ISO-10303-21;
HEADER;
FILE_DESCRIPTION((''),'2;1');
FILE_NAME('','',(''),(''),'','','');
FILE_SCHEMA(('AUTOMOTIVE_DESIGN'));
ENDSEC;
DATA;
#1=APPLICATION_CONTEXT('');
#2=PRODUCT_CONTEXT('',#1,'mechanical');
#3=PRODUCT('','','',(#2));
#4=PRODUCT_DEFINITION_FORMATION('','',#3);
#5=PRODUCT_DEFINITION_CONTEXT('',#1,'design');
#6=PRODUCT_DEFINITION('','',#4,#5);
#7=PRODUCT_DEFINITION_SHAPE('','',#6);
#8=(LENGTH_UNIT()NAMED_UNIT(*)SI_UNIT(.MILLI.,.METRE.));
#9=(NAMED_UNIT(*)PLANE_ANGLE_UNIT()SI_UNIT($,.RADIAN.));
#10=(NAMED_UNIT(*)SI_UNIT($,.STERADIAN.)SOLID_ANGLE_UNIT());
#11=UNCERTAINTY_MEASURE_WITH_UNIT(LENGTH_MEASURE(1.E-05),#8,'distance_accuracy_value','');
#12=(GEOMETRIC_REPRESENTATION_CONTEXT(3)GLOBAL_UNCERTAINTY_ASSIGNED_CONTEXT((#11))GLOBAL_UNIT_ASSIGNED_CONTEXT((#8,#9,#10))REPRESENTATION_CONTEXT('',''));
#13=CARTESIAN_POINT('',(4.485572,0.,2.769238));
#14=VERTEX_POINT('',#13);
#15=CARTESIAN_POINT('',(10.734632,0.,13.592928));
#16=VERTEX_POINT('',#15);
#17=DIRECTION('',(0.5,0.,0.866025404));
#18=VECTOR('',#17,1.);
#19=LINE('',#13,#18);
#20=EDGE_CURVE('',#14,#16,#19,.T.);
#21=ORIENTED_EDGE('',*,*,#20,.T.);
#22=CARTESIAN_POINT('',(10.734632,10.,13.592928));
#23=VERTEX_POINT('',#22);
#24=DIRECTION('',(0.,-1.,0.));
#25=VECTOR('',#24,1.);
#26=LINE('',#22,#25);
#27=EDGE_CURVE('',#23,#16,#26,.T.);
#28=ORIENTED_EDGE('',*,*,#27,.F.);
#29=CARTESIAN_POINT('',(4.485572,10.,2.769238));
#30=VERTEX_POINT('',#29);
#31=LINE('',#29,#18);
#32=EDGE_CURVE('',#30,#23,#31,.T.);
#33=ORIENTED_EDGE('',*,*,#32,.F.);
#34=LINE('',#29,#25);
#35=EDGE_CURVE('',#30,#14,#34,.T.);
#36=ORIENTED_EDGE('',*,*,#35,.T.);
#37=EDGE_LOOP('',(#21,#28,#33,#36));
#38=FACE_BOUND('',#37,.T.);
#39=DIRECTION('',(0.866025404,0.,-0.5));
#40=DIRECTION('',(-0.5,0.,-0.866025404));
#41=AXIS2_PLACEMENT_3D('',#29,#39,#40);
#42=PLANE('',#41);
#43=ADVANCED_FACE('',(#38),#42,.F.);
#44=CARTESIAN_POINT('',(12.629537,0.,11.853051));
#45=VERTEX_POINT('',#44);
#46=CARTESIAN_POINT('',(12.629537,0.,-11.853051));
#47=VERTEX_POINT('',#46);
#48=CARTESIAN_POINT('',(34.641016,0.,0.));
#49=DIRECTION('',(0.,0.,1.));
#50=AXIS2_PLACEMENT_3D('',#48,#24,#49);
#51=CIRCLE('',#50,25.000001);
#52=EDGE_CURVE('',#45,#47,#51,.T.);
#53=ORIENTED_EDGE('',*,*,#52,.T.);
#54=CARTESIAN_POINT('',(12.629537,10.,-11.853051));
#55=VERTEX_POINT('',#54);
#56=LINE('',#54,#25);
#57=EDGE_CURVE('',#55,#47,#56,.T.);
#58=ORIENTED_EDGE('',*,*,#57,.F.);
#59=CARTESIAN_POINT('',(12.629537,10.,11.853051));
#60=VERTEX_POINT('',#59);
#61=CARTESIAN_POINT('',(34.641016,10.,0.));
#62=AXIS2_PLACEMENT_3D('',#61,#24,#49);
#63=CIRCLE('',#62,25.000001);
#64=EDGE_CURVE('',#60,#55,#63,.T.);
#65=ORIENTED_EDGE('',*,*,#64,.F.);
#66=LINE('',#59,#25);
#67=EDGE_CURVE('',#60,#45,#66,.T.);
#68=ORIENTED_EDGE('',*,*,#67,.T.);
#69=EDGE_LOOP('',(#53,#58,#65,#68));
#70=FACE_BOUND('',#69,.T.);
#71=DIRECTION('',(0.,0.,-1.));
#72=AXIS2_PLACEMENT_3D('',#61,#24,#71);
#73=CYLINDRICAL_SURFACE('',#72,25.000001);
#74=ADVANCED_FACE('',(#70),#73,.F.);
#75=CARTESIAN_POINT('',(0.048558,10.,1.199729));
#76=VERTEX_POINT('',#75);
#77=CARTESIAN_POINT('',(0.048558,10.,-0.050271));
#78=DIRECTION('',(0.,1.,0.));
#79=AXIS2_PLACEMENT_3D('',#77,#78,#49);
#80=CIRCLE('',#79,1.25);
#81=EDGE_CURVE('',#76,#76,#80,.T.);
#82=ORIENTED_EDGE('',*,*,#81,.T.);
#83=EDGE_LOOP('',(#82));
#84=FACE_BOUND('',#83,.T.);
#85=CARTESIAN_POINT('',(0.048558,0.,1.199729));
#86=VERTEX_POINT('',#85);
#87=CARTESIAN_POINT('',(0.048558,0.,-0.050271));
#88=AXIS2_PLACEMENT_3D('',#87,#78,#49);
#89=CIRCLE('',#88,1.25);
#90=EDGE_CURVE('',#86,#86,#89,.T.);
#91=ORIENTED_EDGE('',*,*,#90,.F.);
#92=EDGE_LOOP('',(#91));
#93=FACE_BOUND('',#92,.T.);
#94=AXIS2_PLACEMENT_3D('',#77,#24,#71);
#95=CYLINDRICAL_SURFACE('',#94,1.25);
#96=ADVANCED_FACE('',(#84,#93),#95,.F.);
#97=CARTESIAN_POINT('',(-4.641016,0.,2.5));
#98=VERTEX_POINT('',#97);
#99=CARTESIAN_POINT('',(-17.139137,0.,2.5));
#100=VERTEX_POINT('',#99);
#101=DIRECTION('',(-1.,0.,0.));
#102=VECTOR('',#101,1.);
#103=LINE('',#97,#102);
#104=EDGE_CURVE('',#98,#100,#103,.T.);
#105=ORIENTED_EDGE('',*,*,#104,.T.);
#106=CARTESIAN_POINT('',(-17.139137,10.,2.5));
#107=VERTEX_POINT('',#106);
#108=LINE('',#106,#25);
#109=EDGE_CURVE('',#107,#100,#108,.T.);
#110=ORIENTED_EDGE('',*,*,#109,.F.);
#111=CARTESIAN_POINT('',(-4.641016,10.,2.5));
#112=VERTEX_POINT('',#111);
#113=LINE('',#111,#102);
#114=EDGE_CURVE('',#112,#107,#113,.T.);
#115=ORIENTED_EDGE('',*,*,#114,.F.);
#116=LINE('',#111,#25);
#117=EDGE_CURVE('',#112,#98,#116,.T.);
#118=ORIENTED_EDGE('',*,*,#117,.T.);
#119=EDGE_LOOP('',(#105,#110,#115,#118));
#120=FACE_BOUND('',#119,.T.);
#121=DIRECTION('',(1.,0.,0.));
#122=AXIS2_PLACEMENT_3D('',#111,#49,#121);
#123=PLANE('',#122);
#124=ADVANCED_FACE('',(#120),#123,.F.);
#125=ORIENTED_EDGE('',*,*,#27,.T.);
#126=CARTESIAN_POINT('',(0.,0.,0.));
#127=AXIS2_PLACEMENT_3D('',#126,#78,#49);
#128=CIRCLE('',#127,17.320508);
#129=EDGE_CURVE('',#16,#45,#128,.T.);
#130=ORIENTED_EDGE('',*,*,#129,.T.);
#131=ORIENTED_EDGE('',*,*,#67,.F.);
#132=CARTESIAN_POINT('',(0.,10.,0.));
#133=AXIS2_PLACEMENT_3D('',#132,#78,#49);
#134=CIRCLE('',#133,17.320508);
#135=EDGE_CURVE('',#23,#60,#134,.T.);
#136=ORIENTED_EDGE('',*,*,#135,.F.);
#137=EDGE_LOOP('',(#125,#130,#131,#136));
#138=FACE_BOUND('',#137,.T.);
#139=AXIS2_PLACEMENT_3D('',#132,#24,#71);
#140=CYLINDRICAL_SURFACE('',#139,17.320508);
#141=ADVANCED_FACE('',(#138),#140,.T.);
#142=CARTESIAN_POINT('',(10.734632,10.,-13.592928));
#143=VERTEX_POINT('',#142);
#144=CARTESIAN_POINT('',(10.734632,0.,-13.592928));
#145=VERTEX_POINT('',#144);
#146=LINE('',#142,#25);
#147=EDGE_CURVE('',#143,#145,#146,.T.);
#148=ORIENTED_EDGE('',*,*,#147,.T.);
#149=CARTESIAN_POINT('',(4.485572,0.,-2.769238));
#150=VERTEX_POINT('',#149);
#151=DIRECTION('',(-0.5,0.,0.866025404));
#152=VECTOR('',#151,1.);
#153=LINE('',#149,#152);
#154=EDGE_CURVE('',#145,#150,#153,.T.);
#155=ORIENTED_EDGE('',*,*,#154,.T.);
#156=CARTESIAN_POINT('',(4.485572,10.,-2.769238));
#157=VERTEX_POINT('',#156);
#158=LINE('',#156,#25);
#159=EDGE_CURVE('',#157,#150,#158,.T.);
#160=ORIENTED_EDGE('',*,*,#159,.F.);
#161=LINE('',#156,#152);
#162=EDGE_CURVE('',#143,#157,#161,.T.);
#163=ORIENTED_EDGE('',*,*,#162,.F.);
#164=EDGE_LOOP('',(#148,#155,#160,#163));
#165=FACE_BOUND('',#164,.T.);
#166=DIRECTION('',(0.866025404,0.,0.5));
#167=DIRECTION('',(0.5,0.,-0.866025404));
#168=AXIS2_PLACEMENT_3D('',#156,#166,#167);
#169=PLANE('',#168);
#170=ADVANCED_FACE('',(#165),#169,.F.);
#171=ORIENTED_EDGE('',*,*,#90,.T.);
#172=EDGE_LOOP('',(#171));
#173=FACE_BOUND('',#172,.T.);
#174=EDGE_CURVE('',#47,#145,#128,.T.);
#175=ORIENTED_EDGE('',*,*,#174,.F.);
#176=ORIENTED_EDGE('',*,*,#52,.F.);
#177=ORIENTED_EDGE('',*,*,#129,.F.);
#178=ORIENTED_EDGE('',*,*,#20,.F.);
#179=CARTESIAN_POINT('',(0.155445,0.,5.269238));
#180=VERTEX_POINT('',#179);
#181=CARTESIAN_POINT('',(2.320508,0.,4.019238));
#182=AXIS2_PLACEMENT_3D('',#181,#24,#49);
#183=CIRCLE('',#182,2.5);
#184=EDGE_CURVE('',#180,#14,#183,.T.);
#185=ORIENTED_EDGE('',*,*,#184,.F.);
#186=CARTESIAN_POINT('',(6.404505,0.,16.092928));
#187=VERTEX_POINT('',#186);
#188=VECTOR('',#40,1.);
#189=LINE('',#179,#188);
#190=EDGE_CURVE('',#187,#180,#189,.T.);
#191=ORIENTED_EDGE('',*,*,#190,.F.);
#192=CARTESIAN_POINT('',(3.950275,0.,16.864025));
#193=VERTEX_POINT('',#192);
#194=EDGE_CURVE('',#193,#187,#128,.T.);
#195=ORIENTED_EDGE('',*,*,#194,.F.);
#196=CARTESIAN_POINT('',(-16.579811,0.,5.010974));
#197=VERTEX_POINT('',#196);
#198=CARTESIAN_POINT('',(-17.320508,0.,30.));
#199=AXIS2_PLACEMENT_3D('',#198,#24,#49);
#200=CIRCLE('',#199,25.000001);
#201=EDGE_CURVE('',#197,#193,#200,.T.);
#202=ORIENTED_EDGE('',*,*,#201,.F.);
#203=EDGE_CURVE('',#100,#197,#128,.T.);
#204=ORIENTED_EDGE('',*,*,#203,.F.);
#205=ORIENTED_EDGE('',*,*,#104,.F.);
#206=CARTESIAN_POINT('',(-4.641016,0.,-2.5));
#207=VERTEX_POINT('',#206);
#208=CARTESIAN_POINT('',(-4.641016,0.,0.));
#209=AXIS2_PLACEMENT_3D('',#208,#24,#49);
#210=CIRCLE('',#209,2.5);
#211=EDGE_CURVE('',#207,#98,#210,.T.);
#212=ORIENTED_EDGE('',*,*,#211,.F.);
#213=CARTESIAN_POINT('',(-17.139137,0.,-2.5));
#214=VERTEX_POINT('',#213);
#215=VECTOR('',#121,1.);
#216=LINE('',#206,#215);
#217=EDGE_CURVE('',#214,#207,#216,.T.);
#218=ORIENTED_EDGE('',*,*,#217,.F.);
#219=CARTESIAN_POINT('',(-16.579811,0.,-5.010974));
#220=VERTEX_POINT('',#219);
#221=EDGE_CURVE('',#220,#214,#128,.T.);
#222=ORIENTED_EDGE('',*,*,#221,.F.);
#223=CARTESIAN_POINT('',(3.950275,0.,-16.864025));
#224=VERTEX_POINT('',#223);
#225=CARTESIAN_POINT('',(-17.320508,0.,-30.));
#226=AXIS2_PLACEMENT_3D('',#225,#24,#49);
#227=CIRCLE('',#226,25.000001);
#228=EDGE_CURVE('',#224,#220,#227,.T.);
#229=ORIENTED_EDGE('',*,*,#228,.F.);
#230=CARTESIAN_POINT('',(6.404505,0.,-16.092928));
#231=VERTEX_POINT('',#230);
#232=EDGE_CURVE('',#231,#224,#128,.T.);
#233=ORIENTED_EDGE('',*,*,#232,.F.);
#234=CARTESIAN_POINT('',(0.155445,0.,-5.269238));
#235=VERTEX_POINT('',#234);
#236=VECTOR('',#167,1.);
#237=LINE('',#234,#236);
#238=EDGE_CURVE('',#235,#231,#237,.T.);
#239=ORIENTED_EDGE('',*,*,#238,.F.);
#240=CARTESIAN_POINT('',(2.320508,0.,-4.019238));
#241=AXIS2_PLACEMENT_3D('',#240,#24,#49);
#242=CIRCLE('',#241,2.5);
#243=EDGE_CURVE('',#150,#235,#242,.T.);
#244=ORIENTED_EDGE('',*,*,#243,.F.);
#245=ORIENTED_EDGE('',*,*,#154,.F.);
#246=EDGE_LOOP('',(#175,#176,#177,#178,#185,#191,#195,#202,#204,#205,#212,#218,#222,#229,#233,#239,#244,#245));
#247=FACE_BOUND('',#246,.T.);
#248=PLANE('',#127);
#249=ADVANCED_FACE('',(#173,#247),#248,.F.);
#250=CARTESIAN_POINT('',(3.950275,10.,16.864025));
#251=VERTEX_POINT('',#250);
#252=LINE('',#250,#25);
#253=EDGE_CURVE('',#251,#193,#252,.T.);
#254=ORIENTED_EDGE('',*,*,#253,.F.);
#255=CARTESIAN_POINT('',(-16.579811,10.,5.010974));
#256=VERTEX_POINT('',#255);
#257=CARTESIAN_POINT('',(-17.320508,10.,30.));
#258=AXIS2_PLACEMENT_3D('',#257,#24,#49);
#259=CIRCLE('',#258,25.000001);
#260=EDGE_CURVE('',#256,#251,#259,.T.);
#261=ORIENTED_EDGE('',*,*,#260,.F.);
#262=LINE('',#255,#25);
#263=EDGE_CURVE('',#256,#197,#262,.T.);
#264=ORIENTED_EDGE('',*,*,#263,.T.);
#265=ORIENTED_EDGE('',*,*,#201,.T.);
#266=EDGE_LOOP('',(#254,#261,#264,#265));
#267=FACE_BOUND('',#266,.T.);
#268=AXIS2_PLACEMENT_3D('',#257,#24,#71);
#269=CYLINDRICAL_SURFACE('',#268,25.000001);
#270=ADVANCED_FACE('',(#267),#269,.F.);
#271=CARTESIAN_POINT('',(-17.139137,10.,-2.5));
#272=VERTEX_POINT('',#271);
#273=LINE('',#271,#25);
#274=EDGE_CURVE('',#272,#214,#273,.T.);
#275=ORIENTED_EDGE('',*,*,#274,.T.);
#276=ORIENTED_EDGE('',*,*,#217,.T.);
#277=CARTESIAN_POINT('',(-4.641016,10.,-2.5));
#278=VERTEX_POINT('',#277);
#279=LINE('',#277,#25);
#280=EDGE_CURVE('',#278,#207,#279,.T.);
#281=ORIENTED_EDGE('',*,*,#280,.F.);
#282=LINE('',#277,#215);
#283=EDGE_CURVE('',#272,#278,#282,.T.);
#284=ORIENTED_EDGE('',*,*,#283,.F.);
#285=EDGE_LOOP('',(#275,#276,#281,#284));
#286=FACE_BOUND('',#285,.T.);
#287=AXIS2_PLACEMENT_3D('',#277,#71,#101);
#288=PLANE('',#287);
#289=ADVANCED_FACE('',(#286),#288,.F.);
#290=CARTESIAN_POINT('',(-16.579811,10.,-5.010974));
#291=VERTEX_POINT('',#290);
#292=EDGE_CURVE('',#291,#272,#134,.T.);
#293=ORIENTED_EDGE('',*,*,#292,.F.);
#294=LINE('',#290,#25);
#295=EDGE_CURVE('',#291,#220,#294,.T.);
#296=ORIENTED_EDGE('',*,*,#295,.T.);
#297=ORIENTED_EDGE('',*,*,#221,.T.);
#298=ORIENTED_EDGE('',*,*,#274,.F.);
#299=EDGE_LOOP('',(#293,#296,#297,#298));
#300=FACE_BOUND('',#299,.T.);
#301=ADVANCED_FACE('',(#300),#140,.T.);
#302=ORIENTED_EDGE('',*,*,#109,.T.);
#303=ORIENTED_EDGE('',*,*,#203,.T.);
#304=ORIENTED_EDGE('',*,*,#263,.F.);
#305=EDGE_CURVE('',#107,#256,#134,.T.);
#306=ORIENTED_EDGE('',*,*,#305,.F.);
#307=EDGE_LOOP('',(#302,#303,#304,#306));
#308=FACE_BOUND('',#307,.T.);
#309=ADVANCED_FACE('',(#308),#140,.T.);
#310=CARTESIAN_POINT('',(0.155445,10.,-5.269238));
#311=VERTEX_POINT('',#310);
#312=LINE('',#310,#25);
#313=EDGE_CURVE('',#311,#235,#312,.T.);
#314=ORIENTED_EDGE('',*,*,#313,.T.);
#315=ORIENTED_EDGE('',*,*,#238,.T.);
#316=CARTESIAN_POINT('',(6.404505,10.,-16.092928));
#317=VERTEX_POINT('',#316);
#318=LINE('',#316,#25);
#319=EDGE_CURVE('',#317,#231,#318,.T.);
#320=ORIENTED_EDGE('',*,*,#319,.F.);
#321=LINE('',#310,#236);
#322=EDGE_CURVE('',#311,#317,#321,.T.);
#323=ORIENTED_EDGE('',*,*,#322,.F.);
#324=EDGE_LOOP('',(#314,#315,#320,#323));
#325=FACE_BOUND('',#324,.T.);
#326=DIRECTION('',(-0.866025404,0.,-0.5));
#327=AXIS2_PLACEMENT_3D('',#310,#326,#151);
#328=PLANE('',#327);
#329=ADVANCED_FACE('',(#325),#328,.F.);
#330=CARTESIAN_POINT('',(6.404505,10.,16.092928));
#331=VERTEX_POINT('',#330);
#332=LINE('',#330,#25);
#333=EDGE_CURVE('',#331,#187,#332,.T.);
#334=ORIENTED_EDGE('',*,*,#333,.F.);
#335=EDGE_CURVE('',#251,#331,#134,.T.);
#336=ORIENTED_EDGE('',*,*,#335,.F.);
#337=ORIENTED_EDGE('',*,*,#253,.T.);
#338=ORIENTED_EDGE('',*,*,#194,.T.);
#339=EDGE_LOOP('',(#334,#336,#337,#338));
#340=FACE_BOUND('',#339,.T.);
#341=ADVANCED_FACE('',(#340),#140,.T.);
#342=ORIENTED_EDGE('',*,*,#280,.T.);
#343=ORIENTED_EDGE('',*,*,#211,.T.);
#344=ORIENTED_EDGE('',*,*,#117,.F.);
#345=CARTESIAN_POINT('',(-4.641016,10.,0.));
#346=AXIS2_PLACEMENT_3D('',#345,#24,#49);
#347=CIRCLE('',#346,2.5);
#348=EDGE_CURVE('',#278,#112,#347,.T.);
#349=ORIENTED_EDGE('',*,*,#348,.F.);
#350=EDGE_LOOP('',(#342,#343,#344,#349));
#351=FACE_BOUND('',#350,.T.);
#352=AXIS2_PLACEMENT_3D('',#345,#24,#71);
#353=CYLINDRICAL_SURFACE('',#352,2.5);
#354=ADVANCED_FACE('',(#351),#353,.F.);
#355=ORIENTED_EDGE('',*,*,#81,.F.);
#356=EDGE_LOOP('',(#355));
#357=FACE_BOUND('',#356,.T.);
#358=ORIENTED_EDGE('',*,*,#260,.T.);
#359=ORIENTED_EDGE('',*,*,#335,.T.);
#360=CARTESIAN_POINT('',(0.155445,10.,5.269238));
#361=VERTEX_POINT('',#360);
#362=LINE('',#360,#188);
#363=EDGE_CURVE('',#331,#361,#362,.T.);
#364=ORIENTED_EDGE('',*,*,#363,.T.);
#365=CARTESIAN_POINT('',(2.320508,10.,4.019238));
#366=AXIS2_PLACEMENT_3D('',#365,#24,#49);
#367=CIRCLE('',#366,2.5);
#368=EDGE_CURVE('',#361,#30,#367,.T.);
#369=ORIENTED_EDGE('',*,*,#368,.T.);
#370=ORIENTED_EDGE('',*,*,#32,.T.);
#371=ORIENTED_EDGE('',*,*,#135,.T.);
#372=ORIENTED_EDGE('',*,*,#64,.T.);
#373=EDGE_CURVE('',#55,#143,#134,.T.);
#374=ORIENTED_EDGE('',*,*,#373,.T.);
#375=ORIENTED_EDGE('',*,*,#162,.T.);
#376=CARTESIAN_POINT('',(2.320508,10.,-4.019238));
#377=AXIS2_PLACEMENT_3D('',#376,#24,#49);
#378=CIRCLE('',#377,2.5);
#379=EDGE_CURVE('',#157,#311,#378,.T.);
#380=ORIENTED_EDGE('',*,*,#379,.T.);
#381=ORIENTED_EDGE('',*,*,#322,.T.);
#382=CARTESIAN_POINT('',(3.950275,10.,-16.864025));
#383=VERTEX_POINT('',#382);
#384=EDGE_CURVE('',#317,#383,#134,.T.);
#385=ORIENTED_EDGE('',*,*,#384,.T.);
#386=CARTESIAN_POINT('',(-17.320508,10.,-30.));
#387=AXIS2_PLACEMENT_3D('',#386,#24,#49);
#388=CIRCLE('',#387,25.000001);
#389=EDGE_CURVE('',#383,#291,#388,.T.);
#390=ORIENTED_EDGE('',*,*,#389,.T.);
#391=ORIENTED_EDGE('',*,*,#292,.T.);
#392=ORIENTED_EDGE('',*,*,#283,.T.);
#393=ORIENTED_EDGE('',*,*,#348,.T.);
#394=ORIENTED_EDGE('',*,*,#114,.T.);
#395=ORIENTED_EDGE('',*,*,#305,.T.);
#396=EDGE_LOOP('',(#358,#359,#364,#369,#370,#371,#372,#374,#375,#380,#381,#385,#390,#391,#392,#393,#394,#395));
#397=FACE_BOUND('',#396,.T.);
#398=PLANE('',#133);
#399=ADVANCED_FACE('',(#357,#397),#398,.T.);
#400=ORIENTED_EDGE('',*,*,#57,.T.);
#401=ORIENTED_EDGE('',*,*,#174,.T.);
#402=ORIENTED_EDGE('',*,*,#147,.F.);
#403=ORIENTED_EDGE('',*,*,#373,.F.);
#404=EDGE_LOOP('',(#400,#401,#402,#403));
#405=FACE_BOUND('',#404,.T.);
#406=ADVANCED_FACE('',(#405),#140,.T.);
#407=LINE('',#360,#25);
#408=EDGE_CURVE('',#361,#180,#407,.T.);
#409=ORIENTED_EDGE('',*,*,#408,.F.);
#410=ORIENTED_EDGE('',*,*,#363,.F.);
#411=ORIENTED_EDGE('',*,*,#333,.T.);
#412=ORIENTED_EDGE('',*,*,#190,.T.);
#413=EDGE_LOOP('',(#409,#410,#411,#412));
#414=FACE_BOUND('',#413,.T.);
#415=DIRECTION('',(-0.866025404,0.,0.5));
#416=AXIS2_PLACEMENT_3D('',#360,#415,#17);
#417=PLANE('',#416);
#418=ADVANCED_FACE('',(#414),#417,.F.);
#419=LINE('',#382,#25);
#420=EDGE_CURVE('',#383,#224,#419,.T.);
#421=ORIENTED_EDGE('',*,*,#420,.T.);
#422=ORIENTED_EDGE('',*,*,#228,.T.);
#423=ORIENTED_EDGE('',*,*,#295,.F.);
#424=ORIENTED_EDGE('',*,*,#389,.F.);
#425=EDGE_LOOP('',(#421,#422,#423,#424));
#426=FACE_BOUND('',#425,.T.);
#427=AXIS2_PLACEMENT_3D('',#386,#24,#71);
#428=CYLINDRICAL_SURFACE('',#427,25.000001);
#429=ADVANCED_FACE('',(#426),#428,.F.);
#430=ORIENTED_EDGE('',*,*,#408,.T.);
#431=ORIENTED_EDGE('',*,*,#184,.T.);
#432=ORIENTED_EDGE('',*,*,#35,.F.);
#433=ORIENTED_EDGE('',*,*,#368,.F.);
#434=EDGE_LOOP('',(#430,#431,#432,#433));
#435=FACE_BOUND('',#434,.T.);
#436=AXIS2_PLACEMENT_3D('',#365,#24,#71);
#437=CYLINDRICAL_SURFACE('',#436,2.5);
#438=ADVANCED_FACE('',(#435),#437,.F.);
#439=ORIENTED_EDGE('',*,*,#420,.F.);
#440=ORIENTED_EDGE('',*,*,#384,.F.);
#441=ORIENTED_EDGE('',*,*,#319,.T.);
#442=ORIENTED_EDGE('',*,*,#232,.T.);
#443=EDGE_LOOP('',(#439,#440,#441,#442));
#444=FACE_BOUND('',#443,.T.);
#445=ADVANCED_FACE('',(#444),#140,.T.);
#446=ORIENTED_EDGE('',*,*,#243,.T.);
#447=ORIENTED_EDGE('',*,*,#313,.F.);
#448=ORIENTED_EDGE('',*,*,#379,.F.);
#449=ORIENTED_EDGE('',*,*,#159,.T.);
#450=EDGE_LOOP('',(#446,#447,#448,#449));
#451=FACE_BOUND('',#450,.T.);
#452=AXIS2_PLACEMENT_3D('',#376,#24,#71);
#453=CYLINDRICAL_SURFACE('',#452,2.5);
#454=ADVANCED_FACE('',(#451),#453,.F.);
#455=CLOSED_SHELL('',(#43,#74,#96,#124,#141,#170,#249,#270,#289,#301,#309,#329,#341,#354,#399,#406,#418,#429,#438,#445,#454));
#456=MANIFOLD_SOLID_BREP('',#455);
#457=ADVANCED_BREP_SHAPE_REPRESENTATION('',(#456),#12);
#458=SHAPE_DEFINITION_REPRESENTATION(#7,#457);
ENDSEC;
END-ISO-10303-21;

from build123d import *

# Parameters (mm, degrees)
SKETCH_1_R      = 1.25
EXTRUDE_1_DEPTH = 10


with BuildPart() as part:
    # 草圖1 → 填料-伸長1 (new body)
    with BuildSketch(Plane(origin=(0, 0, 0), x_dir=(1, 0, 0), z_dir=(0, 1, 0))):
        with BuildLine():
            Line((0.155444566, 5.269237886), (6.404504741, 16.092927609))
            ThreePointArc((6.404504741, 16.092927609), (5.191725275, 16.524103264), (3.950274568, 16.864024752))
            ThreePointArc((3.950274568, 16.864024752), (-4.820507676, 8.349364213), (-16.579811129, 5.010974248))
            ThreePointArc((-16.579811129, 5.010974248), (-16.906155839, 3.765885654), (-17.139136501, 2.5))
            Line((-17.139136501, 2.5), (-4.641016151, 2.5))
            ThreePointArc((-4.641016151, 2.5), (-2.141016151, 0), (-4.641016151, -2.5))
            Line((-4.641016151, -2.5), (-17.139136501, -2.5))
            ThreePointArc((-17.139136501, -2.5), (-16.906155839, -3.765885654), (-16.579811129, -5.010974248))
            ThreePointArc((-16.579811129, -5.010974248), (-4.820507676, -8.349364213), (3.950274568, -16.864024752))
            ThreePointArc((3.950274568, -16.864024752), (5.191725275, -16.524103264), (6.404504741, -16.092927609))
            Line((6.404504741, -16.092927609), (0.155444566, -5.269237886))
            ThreePointArc((0.155444566, -5.269237886), (1.070508076, -1.854174377), (4.485571585, -2.769237886))
            Line((4.485571585, -2.769237886), (10.73463176, -13.592927609))
            ThreePointArc((10.73463176, -13.592927609), (11.714430563, -12.75821761), (12.629536561, -11.853050504))
            ThreePointArc((12.629536561, -11.853050504), (9.641015352, 0), (12.629536561, 11.853050504))
            ThreePointArc((12.629536561, 11.853050504), (11.714430563, 12.75821761), (10.73463176, 13.592927609))
            Line((10.73463176, 13.592927609), (4.485571585, 2.769237886))
            ThreePointArc((4.485571585, 2.769237886), (1.070508076, 1.854174377), (0.155444566, 5.269237886))
        make_face()
        with Locations(Location((0.048558271, 0.050271222, 0), (0, 0, 270))):
            Circle(SKETCH_1_R, mode=Mode.SUBTRACT)
    extrude(amount=EXTRUDE_1_DEPTH)


solid = part.part
